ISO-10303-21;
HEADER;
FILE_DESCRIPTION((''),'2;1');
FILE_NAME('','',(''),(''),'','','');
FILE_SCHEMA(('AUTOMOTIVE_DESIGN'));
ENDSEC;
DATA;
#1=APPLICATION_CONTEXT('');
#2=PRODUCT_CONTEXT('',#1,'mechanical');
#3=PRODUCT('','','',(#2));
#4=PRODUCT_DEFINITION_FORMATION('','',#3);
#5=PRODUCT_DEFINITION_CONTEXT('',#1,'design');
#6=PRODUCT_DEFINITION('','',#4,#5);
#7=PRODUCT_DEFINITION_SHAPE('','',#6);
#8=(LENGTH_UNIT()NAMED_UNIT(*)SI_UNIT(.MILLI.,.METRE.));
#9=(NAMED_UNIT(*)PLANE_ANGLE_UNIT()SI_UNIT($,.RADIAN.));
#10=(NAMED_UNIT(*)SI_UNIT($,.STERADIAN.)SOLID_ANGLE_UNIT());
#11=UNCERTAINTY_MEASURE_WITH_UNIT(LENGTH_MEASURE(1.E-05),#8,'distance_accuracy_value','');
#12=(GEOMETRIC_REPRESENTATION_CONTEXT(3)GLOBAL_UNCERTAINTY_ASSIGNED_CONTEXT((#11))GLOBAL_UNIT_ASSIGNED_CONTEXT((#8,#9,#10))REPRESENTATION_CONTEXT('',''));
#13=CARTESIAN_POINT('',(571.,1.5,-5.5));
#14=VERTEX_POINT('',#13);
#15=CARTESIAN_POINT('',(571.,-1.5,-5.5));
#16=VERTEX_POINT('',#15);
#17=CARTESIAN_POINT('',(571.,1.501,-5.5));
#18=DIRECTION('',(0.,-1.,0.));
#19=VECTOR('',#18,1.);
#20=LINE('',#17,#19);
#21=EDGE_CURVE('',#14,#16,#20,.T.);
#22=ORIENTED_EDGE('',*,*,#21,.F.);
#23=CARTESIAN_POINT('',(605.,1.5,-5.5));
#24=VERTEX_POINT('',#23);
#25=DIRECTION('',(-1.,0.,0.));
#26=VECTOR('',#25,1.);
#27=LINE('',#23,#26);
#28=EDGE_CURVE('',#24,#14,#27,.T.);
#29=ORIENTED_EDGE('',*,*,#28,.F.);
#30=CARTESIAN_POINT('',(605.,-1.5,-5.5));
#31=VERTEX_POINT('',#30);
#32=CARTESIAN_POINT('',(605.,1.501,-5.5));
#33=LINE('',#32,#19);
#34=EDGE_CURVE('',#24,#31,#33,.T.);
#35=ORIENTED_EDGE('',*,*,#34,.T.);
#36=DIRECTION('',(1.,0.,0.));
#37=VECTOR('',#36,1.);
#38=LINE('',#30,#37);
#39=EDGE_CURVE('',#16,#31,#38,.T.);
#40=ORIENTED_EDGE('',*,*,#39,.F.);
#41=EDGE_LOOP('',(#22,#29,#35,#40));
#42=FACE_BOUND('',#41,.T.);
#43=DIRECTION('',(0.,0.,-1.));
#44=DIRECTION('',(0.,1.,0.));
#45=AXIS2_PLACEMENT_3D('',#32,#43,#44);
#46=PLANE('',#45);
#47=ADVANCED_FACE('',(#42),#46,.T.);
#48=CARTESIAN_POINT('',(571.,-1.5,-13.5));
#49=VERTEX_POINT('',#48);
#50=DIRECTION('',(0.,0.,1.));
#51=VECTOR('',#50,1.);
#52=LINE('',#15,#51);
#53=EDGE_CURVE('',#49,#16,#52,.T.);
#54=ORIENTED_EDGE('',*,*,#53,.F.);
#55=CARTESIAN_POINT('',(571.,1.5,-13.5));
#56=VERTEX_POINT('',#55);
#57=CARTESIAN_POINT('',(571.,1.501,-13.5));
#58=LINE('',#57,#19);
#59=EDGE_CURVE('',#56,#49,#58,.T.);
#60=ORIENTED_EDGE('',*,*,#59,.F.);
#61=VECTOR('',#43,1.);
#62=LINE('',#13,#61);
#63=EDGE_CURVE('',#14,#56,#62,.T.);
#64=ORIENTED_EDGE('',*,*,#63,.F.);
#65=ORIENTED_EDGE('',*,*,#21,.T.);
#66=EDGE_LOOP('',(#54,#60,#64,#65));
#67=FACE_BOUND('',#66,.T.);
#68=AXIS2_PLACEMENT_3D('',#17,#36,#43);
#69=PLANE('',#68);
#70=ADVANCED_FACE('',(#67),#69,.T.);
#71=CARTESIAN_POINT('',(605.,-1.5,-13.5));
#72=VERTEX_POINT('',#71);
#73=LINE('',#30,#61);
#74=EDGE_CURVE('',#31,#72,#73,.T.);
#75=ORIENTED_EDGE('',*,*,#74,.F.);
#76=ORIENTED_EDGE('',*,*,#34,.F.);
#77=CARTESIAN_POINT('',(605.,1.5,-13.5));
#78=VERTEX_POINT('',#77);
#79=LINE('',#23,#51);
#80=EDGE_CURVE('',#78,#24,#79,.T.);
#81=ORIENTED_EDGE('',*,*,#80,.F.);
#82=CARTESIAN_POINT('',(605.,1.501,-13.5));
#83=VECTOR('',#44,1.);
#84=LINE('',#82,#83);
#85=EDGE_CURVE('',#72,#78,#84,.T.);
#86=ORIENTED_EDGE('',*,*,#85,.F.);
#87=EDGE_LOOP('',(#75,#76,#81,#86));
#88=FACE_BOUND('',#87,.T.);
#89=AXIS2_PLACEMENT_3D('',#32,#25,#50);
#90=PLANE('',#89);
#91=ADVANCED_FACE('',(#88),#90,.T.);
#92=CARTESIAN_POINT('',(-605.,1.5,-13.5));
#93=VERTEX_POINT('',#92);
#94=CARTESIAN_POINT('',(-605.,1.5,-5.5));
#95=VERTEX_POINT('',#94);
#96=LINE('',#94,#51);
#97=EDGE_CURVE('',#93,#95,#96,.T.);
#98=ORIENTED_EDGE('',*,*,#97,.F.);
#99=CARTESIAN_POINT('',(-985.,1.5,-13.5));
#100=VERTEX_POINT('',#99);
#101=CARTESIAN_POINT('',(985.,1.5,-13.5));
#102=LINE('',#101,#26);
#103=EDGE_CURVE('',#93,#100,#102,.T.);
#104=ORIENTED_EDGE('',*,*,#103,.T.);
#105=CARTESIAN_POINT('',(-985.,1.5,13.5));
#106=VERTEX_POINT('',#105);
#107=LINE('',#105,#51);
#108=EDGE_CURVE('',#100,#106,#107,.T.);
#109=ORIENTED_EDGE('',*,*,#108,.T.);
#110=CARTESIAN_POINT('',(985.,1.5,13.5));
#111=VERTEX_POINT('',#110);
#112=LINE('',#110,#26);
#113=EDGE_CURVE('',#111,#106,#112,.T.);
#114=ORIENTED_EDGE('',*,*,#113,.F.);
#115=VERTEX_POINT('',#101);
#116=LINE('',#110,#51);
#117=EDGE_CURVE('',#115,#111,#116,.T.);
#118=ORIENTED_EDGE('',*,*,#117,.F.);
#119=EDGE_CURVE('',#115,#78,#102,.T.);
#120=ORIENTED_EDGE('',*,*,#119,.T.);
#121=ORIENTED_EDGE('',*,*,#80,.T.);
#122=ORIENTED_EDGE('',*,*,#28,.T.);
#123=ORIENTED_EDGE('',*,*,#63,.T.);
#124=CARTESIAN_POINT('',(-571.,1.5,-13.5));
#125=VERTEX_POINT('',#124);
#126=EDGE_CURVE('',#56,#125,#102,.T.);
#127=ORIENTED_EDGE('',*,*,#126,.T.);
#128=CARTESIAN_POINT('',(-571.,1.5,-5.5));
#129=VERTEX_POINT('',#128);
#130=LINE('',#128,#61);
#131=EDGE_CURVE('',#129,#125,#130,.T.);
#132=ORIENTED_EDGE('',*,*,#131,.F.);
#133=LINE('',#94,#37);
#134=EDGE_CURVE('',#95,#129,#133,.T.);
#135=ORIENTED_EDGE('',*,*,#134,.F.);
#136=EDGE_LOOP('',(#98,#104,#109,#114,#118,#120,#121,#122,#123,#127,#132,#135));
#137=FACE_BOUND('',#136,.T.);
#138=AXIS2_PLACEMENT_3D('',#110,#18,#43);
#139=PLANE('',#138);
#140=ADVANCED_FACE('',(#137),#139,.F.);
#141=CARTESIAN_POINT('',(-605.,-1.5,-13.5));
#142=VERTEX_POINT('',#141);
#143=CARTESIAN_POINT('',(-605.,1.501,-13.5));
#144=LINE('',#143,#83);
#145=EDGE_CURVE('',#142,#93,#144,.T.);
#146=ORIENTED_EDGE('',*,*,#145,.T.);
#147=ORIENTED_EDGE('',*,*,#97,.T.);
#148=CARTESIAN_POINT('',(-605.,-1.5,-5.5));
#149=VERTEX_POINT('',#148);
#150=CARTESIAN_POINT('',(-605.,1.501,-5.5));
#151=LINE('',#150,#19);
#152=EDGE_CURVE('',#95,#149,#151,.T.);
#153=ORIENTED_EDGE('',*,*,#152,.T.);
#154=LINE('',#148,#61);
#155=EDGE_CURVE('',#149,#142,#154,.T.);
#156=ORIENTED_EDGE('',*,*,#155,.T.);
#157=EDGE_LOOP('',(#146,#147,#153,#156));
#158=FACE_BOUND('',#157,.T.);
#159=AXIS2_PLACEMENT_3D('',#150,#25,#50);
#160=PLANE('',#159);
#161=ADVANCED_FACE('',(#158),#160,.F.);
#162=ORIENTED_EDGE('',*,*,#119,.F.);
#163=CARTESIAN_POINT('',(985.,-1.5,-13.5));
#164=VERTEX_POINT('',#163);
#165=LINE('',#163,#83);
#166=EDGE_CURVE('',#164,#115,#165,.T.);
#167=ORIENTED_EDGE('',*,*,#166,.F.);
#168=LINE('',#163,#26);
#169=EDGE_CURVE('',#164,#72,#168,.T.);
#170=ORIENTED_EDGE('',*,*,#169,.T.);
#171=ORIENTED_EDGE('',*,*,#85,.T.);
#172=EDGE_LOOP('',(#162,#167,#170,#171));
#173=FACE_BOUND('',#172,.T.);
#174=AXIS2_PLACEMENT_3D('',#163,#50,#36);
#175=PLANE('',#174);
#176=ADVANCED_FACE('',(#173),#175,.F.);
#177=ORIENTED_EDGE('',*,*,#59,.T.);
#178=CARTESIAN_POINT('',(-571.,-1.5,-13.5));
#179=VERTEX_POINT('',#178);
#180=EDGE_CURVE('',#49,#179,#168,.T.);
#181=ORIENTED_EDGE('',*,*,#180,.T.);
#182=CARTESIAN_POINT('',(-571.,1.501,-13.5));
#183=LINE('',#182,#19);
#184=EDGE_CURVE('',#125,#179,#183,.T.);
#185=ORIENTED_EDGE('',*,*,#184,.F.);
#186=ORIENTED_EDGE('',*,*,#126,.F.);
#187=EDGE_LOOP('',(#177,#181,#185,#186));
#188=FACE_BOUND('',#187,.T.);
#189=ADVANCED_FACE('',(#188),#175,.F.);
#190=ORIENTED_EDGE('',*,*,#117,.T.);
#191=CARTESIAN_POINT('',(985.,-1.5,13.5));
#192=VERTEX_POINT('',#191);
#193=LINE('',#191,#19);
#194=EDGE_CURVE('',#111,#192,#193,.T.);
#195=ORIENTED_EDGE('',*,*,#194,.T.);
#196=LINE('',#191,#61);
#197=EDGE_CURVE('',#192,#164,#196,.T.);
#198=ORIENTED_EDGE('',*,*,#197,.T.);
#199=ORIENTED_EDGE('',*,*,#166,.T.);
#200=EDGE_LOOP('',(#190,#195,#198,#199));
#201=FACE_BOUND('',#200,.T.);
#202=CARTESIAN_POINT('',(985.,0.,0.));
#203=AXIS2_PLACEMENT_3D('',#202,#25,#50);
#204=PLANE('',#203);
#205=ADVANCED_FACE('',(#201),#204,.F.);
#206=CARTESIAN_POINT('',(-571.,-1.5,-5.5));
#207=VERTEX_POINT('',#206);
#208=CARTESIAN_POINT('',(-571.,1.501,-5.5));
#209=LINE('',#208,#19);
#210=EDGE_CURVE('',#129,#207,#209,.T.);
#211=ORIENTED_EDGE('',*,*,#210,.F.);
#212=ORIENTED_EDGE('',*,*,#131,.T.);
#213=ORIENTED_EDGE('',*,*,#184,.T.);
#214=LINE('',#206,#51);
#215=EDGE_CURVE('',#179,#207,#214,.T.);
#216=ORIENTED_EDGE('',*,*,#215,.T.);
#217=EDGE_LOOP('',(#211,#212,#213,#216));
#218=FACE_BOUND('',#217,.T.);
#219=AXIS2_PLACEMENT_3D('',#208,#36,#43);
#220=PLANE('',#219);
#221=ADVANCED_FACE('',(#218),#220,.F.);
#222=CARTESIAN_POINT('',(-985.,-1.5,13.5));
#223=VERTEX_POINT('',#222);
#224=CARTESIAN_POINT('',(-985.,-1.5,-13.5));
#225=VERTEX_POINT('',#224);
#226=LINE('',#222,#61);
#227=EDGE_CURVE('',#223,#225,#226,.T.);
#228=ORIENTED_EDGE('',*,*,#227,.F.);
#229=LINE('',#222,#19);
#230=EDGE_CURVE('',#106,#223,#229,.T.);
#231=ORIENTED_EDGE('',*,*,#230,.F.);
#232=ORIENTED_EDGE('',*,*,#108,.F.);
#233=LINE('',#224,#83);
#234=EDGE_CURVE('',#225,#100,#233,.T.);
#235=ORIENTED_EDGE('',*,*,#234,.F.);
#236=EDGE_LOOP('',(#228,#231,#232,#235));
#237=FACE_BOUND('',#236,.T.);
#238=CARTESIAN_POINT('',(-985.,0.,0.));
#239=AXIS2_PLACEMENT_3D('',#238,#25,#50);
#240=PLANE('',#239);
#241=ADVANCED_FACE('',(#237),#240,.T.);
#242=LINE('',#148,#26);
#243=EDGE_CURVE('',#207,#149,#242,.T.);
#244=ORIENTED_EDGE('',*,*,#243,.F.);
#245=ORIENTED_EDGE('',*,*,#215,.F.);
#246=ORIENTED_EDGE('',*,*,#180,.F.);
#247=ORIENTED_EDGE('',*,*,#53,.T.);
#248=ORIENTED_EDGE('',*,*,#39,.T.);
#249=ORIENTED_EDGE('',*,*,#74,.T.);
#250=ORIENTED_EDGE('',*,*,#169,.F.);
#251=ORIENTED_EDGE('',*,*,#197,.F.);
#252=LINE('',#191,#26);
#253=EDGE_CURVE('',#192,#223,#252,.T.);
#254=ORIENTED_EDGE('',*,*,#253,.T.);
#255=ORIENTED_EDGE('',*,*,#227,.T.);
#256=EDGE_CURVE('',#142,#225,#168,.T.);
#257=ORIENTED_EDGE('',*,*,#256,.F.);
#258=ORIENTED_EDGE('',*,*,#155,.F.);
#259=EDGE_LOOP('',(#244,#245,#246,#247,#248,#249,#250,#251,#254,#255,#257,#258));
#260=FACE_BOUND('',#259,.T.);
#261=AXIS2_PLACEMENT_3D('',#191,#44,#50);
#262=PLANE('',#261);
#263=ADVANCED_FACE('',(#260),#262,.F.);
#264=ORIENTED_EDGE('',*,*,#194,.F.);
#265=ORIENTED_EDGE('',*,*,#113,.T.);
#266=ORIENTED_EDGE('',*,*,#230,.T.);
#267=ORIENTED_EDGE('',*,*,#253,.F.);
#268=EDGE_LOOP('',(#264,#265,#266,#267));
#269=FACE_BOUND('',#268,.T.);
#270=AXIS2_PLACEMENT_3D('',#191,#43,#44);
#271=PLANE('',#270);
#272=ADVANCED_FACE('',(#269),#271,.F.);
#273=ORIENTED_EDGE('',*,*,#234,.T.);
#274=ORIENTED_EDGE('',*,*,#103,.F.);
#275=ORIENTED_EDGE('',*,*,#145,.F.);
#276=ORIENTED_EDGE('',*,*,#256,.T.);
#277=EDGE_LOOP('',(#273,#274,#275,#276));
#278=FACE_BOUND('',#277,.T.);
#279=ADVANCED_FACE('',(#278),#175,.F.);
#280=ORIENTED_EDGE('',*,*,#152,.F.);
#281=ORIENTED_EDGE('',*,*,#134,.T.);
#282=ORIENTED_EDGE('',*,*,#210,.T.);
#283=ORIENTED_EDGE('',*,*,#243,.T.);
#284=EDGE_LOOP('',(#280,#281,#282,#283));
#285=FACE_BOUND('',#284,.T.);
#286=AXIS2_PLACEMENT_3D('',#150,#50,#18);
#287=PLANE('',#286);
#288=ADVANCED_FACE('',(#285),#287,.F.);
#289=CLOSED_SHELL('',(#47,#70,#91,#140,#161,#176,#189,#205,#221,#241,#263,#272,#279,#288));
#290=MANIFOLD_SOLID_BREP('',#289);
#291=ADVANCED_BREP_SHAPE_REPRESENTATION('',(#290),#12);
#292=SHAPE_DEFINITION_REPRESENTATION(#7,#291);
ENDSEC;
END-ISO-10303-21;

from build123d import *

# Parameters (mm, degrees)
SKETCH_1_W          = 27
SKETCH_1_H          = 3
EXTRUDE_1_DEPTH     = 985
CUT_EXTRUDE_1_REACH = 987.097
SKETCH_2_W          = 34
SKETCH_2_H          = 22.55300249


with BuildPart() as part:
    # Эскиз1 → Бобышка-Вытянуть1 (new, symmetric)
    with BuildSketch(Plane(origin=(0, 0, 0), x_dir=(0, 0, -1), z_dir=(1, 0, 0))):
        Rectangle(SKETCH_1_W, SKETCH_1_H)
    extrude(amount=EXTRUDE_1_DEPTH, both=True)

    # Эскиз2 → Вырез-Вытянуть1 (cut, up to next)
    with BuildSketch(Plane.XZ.offset(1.5), mode=Mode.PRIVATE) as cut_extrude_1_sk1:
        with Locations((-588, -16.776501245)):
            Rectangle(SKETCH_2_W, SKETCH_2_H)
    cut_extrude_1_tool1 = extrude(cut_extrude_1_sk1.sketch, amount=-CUT_EXTRUDE_1_REACH, mode=Mode.PRIVATE) & part.part
    cut_extrude_1 = cut_extrude_1_tool1.solids().sort_by_distance((-588, -1.5, -16.776501))[0]
    add(cut_extrude_1, mode=Mode.SUBTRACT)

    # Зеркальное отражение1: Вырез-Вытянуть1 across plane
    add(cut_extrude_1.mirror(Plane(origin=(0, 0, 0), x_dir=(0, 0, 1), z_dir=(1, 0, 0))), mode=Mode.SUBTRACT)


solid = part.part
